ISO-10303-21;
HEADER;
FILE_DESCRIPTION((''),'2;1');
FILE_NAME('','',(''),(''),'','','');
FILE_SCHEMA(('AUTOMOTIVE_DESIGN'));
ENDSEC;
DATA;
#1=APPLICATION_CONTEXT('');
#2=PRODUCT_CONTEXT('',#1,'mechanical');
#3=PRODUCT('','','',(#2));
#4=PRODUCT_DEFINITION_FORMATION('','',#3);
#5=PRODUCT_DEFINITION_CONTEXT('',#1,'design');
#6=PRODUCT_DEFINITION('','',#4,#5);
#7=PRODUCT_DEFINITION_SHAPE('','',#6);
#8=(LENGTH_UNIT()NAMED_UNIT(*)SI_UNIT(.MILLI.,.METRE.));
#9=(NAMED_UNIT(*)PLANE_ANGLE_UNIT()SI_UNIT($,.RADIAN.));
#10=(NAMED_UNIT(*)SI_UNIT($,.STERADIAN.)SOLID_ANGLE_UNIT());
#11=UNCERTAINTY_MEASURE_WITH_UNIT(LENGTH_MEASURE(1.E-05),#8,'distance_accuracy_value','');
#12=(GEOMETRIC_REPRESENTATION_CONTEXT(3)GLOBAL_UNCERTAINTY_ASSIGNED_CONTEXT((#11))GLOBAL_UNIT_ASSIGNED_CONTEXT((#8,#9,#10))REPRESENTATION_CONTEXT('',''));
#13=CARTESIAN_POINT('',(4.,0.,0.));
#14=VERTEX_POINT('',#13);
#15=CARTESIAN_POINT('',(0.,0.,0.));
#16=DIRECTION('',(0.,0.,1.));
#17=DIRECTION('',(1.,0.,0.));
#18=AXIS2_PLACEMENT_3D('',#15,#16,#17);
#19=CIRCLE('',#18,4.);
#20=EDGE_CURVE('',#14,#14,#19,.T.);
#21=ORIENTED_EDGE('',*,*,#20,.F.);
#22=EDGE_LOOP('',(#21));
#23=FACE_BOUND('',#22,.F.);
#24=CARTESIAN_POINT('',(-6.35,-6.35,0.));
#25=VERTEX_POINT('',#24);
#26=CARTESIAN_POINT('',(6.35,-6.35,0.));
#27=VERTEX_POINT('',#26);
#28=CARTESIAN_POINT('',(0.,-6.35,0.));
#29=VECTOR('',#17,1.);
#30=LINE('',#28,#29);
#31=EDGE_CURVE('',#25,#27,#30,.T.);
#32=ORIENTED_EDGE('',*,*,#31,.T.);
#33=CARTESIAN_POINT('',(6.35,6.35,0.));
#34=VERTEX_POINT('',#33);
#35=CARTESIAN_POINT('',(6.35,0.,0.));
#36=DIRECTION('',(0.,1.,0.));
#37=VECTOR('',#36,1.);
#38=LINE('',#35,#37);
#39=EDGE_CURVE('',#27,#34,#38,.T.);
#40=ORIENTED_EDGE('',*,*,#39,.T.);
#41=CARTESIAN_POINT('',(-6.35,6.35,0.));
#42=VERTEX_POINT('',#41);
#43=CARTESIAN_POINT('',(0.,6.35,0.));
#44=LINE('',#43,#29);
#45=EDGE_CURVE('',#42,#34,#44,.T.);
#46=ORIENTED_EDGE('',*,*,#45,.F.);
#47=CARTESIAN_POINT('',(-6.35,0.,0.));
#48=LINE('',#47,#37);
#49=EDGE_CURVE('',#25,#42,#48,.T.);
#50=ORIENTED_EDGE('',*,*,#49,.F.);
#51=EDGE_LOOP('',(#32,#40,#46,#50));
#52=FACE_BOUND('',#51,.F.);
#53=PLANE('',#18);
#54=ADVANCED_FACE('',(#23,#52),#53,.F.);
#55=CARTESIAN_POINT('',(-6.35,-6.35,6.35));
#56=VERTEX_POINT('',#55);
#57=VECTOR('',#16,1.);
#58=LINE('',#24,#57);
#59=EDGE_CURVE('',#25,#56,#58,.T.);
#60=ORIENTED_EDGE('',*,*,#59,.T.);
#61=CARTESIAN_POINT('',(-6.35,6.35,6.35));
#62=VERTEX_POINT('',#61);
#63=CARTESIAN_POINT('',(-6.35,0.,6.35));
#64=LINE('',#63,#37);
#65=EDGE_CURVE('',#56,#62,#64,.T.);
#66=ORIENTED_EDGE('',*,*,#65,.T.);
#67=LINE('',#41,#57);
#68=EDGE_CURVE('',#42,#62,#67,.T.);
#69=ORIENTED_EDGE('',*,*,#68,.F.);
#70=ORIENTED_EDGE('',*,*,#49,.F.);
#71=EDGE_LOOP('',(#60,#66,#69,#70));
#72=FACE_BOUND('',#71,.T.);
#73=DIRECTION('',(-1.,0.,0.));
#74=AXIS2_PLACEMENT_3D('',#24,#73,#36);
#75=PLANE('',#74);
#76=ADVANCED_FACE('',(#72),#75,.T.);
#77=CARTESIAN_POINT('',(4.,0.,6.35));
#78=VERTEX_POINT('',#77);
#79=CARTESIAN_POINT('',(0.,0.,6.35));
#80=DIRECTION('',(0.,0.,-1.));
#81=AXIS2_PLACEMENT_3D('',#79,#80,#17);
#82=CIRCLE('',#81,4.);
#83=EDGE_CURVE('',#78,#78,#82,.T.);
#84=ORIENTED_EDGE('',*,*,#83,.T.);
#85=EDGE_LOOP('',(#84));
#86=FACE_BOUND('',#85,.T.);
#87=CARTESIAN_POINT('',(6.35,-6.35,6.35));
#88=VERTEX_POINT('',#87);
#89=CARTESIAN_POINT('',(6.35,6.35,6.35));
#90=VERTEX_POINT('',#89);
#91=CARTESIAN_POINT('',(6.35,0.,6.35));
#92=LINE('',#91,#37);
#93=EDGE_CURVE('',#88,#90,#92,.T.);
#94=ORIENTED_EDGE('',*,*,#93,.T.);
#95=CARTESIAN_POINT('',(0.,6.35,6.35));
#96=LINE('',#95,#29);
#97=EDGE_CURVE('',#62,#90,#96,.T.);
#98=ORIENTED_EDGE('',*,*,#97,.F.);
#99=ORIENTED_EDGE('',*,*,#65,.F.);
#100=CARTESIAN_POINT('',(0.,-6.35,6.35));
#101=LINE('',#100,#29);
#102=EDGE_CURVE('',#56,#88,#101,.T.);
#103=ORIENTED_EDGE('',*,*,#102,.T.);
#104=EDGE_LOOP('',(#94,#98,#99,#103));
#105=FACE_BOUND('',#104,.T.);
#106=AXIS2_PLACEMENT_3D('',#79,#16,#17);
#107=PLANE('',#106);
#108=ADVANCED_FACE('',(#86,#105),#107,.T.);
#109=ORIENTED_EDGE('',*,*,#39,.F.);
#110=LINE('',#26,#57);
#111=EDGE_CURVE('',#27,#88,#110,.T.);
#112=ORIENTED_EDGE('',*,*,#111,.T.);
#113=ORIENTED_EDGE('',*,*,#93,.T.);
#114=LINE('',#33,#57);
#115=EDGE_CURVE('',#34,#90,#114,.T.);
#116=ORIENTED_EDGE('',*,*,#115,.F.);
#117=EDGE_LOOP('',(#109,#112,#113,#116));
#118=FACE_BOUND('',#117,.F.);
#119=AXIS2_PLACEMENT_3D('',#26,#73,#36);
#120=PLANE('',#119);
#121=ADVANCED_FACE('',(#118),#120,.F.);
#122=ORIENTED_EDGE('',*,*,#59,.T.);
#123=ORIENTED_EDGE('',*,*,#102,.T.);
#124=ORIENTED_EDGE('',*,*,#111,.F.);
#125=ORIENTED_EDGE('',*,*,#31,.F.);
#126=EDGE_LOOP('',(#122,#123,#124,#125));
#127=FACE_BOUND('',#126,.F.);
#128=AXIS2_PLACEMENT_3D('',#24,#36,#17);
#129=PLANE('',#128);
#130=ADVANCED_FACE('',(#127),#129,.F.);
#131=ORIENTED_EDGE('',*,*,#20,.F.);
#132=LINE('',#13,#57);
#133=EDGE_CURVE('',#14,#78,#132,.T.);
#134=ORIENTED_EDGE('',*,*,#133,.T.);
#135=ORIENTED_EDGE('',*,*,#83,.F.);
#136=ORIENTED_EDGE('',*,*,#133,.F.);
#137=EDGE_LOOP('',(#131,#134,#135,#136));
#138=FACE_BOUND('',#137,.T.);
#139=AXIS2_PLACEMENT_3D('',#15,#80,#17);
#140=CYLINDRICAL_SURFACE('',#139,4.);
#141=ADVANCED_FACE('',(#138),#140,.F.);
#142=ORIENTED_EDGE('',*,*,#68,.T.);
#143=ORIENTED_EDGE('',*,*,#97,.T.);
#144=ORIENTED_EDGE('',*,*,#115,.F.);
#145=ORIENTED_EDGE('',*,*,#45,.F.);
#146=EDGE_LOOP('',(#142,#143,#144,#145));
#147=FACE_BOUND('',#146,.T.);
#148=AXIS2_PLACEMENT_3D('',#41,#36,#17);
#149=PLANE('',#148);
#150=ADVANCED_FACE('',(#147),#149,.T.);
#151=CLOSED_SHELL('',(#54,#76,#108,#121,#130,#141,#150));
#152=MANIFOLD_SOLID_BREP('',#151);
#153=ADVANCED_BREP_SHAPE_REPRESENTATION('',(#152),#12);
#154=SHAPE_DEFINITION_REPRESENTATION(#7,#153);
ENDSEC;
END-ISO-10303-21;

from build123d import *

# Parameters (mm, degrees)
CYLINDER035_R     = 4
CYLINDER035_DEPTH = 10
BOX014_W          = 12.7
BOX014_H          = 12.7
BOX014_DEPTH      = 6.35


with BuildPart() as cylinder035:
    # Cylinder035 → Cylinder035 (new body)
    with BuildSketch(Plane(origin=(6.35, 6.35, 0), x_dir=(1, 0, 0), z_dir=(0, 0, 1))):
        Circle(CYLINDER035_R)
    extrude(amount=CYLINDER035_DEPTH)


with BuildPart() as m8_nut001:
    # Box014 → Box014 (new body)
    with BuildSketch(Plane.XY):
        with Locations((6.35, 6.35)):
            Rectangle(BOX014_W, BOX014_H)
    extrude(amount=BOX014_DEPTH)

    # Cut012: cut Cylinder035
    add(cylinder035.part, mode=Mode.SUBTRACT)


with BuildPart() as m8_nut001_1:
    # Cut012 placement: moved
    add(m8_nut001.part.moved(Location((-6.35, -6.35, 0))))


solid = m8_nut001_1.part
